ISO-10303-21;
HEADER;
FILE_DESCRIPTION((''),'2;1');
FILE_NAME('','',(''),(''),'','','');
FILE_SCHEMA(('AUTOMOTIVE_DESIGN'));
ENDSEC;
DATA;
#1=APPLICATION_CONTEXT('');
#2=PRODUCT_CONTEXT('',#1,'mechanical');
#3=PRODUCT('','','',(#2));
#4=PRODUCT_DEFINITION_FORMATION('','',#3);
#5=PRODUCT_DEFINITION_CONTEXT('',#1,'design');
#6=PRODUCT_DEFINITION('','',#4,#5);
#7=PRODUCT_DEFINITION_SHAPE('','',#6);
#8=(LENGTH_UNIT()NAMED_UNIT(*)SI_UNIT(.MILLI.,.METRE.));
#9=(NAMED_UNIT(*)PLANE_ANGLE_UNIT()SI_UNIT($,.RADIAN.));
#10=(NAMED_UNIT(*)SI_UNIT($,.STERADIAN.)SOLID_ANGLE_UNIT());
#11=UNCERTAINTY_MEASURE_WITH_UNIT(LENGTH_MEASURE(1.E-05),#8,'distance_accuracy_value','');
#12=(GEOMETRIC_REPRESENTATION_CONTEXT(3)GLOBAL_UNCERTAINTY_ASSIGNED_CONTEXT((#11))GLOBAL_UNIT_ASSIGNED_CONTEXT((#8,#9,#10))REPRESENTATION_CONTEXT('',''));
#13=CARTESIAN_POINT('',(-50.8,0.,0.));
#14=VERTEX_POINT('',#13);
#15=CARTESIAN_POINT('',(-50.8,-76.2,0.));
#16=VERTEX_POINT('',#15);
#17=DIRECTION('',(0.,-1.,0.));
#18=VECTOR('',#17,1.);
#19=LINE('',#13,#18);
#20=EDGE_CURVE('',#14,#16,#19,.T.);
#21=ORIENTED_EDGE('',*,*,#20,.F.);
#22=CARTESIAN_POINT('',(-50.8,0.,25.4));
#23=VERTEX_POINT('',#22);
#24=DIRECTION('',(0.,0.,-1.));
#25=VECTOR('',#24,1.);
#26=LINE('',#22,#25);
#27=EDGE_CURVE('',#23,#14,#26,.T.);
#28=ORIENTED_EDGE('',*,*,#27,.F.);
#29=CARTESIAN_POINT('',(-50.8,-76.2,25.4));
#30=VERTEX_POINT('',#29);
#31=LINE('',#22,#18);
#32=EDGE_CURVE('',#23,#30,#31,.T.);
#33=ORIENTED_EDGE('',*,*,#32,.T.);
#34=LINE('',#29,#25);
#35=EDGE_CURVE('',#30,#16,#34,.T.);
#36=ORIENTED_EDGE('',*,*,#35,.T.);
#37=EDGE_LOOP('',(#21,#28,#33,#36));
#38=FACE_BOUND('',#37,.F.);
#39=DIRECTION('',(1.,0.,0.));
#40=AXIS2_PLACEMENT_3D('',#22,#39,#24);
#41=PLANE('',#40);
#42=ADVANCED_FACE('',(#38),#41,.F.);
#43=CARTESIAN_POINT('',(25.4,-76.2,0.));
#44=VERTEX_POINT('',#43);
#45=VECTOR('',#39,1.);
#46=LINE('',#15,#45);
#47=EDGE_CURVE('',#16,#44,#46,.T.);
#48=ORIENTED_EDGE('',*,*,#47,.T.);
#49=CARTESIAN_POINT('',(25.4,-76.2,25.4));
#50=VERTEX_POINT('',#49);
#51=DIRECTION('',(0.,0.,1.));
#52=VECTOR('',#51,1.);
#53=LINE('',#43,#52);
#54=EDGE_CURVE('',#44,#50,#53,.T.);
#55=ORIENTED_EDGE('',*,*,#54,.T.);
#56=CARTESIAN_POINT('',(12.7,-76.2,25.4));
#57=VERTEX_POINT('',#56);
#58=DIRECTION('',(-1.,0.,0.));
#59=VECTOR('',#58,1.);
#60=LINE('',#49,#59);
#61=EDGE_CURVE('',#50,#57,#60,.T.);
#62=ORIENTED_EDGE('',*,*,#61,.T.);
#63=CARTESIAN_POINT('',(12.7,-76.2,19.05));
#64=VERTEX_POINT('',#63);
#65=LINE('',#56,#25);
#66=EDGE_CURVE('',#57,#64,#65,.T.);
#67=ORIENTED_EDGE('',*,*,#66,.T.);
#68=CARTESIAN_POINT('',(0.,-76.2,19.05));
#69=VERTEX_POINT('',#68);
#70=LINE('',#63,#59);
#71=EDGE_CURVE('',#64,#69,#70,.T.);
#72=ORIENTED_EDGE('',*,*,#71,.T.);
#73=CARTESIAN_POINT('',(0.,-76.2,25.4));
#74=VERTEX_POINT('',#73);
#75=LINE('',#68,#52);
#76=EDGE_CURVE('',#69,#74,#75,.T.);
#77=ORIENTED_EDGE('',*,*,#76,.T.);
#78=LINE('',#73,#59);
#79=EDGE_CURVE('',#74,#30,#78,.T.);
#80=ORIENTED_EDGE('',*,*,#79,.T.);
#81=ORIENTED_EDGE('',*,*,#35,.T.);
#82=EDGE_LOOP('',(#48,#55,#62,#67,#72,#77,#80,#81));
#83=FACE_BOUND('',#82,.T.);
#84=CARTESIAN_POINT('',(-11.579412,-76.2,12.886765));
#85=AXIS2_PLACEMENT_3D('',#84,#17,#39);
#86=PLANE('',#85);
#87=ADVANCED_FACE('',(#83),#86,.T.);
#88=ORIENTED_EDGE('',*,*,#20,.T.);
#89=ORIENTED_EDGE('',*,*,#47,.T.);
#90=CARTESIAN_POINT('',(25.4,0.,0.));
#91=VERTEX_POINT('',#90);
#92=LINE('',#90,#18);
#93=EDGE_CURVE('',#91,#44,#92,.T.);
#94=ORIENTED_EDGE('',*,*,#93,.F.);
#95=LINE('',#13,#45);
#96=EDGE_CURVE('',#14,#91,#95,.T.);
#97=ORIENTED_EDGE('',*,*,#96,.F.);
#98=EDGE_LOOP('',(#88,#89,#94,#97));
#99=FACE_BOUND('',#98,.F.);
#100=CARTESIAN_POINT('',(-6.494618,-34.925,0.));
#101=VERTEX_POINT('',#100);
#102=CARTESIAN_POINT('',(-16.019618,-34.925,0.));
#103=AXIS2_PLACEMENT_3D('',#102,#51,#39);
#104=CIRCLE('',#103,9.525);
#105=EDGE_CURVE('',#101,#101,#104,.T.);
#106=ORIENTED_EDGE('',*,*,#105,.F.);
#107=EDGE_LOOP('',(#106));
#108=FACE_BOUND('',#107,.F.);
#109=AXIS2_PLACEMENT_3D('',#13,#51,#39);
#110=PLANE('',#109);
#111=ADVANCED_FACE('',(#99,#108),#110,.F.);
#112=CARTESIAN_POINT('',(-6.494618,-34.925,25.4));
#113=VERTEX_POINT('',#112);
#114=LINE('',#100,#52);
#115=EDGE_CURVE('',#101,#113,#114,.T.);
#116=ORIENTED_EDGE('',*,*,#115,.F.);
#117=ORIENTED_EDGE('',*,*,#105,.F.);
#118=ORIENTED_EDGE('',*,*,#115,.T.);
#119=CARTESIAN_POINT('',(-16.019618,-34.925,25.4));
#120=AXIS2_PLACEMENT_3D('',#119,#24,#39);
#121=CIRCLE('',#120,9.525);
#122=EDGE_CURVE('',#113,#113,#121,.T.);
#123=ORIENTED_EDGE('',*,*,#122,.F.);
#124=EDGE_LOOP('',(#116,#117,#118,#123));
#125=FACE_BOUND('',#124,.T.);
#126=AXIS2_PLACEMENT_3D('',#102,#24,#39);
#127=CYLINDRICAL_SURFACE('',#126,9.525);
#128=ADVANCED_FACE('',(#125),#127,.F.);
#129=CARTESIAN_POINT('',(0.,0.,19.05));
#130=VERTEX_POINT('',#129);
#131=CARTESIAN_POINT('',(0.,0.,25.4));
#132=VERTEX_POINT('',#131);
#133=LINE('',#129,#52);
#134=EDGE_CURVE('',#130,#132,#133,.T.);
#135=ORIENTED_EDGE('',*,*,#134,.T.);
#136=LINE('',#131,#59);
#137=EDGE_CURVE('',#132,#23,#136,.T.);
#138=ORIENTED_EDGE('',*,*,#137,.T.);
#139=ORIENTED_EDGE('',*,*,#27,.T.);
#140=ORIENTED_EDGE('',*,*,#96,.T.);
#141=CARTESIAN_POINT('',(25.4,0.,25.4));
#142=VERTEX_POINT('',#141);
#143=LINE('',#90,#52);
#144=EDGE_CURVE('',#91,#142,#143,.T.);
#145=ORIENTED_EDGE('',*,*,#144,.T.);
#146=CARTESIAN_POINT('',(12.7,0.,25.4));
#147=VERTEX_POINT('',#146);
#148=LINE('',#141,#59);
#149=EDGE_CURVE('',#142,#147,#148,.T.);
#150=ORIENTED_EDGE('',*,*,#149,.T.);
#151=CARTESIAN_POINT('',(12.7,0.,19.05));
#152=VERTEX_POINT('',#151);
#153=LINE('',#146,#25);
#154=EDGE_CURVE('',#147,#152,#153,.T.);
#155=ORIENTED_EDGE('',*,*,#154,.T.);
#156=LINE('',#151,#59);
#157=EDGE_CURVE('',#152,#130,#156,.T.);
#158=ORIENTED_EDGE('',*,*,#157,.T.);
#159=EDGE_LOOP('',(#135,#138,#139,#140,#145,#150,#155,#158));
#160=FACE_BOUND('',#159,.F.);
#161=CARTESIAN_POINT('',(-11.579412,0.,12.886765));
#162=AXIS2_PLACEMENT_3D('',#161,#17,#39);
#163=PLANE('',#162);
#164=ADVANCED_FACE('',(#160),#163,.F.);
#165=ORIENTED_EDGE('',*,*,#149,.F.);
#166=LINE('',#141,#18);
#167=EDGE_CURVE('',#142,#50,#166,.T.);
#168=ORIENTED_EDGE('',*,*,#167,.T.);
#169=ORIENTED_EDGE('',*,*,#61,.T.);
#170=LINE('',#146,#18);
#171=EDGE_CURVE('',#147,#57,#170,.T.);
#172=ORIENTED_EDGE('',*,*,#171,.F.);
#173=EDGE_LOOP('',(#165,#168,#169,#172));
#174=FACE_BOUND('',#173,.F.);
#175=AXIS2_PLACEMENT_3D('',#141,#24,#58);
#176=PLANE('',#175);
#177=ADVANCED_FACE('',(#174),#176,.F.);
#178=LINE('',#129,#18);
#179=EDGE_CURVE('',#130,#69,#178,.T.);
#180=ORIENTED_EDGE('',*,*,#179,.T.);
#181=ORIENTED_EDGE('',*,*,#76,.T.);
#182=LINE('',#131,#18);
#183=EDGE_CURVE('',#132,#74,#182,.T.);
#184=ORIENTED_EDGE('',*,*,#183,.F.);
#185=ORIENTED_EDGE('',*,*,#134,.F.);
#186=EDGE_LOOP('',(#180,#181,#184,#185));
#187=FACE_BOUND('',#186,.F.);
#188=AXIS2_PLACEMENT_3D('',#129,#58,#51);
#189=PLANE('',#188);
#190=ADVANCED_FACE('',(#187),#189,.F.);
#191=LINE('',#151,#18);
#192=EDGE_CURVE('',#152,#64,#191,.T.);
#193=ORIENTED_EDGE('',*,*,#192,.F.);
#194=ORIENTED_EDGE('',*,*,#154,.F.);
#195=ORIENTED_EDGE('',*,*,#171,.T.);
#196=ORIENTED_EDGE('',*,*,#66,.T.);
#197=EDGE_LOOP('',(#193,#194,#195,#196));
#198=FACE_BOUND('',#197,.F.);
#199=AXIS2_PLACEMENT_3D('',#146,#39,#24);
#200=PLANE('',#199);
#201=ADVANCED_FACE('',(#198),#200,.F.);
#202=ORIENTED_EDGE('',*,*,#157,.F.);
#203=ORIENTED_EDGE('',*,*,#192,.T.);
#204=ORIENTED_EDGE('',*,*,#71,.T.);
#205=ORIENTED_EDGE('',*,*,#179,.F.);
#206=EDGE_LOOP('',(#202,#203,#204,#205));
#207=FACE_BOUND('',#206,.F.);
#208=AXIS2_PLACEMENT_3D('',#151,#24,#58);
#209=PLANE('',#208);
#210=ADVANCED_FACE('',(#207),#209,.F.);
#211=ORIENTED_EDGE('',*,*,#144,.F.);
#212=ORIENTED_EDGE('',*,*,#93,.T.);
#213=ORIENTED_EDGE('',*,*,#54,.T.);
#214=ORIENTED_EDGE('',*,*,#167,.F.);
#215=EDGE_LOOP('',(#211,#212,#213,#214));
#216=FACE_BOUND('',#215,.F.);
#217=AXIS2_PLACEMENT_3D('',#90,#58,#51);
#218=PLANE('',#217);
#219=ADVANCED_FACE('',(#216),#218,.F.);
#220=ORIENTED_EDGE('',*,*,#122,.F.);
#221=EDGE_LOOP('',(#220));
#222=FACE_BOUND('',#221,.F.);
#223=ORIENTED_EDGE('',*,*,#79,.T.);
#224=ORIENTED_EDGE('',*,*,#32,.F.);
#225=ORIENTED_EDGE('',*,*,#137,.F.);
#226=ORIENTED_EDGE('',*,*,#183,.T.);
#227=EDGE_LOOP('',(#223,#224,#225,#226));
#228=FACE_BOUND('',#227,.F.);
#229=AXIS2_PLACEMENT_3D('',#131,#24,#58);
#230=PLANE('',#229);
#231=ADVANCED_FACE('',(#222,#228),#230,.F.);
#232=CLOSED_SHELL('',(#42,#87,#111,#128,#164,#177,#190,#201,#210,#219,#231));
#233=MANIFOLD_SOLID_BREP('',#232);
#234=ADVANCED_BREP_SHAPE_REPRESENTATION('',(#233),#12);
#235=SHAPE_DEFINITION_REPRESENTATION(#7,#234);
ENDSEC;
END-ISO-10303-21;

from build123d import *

# Parameters (mm, degrees)
F1_DEPTH = 76.2
F2_R     = 9.525
F3_DEPTH = 76.2


with BuildPart() as f1:
    # F0 (on Front) → F1 (new body)
    with BuildSketch(Plane.XZ):
        Polygon((-50.8, 0), (25.4, 0), (25.4, 25.4), (12.7, 25.4), (12.7, 19.05), (0, 19.05), (0, 25.4), (-50.8, 25.4), align=None)
    extrude(amount=F1_DEPTH)

    # F2 (on Top) → F3 (cut)
    with BuildSketch(Plane.XY):
        with Locations((-16.019618, -34.925)):
            Circle(F2_R)
    extrude(amount=F3_DEPTH, mode=Mode.SUBTRACT)


solid = f1.part
